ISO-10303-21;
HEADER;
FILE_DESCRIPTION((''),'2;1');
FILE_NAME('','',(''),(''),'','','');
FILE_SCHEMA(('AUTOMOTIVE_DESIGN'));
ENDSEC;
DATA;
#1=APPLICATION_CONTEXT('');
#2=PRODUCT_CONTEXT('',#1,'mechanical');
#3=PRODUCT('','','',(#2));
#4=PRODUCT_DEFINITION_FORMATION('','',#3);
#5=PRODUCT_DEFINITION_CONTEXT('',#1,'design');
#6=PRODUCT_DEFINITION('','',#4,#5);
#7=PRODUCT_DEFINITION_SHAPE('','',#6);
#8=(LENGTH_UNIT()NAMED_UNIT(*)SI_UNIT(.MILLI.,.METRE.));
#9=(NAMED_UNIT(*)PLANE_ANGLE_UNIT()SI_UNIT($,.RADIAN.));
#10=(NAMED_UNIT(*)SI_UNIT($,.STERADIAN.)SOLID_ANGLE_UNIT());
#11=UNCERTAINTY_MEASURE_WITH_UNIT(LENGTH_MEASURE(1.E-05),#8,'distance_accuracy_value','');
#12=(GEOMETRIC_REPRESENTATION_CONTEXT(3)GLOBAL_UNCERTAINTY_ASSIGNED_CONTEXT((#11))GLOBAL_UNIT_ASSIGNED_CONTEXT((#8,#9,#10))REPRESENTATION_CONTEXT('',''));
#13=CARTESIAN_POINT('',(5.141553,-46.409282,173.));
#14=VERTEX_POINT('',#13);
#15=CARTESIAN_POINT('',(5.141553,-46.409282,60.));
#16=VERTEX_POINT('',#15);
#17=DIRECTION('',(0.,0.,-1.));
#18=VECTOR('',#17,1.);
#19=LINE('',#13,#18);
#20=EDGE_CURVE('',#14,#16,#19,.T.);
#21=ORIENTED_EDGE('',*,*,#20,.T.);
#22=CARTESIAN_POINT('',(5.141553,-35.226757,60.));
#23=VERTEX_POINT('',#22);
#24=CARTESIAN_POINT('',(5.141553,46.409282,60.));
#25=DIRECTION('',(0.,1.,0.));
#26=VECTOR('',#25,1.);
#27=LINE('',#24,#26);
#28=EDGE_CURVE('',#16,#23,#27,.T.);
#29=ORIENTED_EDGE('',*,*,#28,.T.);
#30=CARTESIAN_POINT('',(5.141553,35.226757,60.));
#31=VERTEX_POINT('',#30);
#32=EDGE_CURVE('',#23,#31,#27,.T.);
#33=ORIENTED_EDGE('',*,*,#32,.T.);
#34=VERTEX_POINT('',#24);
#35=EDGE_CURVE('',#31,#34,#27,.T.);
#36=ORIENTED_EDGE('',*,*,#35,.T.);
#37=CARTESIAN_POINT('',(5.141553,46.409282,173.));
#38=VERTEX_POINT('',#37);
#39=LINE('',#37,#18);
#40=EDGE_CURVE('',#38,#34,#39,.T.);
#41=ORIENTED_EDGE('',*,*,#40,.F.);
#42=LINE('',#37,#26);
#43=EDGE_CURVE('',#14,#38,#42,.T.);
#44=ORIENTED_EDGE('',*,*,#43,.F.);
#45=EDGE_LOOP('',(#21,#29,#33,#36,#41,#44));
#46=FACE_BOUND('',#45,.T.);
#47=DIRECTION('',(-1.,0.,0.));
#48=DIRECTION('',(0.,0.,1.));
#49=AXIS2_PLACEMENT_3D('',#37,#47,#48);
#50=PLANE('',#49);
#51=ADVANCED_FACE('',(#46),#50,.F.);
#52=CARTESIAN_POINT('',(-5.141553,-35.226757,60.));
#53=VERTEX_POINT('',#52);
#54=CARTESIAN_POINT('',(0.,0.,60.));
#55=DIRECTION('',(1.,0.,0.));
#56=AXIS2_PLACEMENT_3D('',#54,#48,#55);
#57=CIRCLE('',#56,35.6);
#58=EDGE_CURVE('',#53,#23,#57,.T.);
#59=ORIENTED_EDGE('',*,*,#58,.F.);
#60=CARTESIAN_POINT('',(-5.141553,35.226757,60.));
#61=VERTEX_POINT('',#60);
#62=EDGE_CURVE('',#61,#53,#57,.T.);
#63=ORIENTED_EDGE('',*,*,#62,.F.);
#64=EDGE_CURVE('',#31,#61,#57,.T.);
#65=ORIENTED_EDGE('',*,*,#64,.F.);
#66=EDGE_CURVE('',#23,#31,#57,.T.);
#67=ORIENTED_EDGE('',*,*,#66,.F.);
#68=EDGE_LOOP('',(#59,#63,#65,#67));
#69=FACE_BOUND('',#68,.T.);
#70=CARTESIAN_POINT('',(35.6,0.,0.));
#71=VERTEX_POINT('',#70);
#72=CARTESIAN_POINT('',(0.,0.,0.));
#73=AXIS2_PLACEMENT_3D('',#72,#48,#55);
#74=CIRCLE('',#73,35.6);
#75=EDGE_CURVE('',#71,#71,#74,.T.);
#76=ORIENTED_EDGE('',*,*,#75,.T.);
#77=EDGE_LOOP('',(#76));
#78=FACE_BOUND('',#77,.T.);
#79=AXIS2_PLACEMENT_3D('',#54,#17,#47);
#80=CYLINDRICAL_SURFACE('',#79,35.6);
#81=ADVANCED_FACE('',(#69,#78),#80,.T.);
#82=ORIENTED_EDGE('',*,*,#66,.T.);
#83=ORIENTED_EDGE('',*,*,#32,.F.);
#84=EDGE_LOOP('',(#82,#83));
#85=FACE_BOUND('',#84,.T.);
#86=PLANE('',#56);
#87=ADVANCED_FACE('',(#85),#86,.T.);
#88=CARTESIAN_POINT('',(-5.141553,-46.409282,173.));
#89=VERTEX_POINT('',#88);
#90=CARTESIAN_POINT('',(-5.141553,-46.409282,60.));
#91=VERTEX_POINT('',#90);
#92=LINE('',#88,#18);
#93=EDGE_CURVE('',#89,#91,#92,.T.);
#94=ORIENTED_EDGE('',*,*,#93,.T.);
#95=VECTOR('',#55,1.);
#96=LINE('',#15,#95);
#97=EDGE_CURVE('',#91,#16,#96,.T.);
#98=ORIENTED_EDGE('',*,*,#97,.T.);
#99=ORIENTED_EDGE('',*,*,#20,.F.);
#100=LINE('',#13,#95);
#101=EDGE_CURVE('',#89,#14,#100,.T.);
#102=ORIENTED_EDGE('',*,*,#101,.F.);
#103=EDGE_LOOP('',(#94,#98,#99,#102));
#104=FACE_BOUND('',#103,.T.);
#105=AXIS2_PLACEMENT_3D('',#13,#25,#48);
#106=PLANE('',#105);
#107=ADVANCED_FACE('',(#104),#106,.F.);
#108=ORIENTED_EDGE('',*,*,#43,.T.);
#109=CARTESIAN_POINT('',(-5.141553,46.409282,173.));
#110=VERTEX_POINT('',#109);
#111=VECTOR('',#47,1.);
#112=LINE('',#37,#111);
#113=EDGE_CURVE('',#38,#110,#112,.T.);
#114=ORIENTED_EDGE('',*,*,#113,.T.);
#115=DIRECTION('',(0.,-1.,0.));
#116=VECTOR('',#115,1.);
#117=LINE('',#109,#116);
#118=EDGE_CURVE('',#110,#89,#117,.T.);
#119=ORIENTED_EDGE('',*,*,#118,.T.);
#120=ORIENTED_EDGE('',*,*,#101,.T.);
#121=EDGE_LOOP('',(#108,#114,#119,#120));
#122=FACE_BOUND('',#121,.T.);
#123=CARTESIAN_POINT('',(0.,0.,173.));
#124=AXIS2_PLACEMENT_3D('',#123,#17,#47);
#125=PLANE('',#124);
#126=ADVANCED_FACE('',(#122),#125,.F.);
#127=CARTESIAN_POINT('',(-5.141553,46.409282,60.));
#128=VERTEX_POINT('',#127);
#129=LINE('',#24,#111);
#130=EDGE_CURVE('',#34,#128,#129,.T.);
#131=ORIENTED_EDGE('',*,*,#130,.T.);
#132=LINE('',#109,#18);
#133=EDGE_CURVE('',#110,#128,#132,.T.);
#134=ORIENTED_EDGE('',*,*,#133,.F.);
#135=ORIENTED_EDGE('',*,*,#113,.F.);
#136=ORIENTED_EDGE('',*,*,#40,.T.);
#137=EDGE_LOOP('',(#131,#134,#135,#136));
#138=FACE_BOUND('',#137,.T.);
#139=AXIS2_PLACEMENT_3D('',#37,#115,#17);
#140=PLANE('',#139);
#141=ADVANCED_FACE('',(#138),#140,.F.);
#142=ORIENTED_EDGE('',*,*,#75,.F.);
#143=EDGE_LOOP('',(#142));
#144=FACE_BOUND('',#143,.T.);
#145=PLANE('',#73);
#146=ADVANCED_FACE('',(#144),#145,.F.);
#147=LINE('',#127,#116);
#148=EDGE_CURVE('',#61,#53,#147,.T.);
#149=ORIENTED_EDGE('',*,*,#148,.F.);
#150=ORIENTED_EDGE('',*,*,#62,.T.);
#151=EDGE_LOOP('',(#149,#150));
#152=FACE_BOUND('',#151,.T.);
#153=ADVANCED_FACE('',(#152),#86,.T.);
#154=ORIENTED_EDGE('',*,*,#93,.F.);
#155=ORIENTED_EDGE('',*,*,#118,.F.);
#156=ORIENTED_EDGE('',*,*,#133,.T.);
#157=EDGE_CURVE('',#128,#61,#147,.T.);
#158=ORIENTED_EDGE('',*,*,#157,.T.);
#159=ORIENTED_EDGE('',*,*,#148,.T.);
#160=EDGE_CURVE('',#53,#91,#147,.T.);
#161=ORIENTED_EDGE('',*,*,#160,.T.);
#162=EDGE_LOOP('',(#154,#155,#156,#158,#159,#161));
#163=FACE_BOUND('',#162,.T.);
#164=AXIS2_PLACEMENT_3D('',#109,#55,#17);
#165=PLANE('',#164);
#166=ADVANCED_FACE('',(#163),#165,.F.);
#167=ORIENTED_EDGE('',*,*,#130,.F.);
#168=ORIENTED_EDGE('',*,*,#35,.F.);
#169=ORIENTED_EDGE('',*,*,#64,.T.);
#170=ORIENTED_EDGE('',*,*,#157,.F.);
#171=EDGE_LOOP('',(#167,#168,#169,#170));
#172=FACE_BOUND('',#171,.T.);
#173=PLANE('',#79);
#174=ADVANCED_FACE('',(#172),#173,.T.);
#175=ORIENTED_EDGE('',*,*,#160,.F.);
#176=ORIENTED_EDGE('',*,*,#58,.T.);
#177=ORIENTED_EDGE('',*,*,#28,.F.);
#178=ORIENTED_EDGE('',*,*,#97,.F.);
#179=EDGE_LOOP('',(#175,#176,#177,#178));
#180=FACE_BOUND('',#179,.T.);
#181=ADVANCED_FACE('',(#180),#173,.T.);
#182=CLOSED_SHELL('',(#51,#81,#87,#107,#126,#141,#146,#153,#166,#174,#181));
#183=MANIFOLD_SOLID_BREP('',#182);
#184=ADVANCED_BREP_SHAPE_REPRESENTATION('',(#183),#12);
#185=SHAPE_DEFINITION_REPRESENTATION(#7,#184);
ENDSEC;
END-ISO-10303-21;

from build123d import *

# Parameters (mm, degrees)
SKIZZE1_R                       = 35.6
AUFSATZ_LINEAR_AUSTRAGEN1_DEPTH = 60
SKIZZE2_W                       = 10.283106272
SKIZZE2_H                       = 92.818564508
AUFSATZ_LINEAR_AUSTRAGEN2_DEPTH = 113


with BuildPart() as part:
    # Skizze1 → Aufsatz-Linear austragen1 (new body)
    with BuildSketch(Plane.XY):
        Circle(SKIZZE1_R)
    extrude(amount=AUFSATZ_LINEAR_AUSTRAGEN1_DEPTH)

    # Skizze2 → Aufsatz-Linear austragen2 (add)
    with BuildSketch(Plane.XY.offset(60)):
        Rectangle(SKIZZE2_W, SKIZZE2_H)
    extrude(amount=AUFSATZ_LINEAR_AUSTRAGEN2_DEPTH)


solid = part.part
